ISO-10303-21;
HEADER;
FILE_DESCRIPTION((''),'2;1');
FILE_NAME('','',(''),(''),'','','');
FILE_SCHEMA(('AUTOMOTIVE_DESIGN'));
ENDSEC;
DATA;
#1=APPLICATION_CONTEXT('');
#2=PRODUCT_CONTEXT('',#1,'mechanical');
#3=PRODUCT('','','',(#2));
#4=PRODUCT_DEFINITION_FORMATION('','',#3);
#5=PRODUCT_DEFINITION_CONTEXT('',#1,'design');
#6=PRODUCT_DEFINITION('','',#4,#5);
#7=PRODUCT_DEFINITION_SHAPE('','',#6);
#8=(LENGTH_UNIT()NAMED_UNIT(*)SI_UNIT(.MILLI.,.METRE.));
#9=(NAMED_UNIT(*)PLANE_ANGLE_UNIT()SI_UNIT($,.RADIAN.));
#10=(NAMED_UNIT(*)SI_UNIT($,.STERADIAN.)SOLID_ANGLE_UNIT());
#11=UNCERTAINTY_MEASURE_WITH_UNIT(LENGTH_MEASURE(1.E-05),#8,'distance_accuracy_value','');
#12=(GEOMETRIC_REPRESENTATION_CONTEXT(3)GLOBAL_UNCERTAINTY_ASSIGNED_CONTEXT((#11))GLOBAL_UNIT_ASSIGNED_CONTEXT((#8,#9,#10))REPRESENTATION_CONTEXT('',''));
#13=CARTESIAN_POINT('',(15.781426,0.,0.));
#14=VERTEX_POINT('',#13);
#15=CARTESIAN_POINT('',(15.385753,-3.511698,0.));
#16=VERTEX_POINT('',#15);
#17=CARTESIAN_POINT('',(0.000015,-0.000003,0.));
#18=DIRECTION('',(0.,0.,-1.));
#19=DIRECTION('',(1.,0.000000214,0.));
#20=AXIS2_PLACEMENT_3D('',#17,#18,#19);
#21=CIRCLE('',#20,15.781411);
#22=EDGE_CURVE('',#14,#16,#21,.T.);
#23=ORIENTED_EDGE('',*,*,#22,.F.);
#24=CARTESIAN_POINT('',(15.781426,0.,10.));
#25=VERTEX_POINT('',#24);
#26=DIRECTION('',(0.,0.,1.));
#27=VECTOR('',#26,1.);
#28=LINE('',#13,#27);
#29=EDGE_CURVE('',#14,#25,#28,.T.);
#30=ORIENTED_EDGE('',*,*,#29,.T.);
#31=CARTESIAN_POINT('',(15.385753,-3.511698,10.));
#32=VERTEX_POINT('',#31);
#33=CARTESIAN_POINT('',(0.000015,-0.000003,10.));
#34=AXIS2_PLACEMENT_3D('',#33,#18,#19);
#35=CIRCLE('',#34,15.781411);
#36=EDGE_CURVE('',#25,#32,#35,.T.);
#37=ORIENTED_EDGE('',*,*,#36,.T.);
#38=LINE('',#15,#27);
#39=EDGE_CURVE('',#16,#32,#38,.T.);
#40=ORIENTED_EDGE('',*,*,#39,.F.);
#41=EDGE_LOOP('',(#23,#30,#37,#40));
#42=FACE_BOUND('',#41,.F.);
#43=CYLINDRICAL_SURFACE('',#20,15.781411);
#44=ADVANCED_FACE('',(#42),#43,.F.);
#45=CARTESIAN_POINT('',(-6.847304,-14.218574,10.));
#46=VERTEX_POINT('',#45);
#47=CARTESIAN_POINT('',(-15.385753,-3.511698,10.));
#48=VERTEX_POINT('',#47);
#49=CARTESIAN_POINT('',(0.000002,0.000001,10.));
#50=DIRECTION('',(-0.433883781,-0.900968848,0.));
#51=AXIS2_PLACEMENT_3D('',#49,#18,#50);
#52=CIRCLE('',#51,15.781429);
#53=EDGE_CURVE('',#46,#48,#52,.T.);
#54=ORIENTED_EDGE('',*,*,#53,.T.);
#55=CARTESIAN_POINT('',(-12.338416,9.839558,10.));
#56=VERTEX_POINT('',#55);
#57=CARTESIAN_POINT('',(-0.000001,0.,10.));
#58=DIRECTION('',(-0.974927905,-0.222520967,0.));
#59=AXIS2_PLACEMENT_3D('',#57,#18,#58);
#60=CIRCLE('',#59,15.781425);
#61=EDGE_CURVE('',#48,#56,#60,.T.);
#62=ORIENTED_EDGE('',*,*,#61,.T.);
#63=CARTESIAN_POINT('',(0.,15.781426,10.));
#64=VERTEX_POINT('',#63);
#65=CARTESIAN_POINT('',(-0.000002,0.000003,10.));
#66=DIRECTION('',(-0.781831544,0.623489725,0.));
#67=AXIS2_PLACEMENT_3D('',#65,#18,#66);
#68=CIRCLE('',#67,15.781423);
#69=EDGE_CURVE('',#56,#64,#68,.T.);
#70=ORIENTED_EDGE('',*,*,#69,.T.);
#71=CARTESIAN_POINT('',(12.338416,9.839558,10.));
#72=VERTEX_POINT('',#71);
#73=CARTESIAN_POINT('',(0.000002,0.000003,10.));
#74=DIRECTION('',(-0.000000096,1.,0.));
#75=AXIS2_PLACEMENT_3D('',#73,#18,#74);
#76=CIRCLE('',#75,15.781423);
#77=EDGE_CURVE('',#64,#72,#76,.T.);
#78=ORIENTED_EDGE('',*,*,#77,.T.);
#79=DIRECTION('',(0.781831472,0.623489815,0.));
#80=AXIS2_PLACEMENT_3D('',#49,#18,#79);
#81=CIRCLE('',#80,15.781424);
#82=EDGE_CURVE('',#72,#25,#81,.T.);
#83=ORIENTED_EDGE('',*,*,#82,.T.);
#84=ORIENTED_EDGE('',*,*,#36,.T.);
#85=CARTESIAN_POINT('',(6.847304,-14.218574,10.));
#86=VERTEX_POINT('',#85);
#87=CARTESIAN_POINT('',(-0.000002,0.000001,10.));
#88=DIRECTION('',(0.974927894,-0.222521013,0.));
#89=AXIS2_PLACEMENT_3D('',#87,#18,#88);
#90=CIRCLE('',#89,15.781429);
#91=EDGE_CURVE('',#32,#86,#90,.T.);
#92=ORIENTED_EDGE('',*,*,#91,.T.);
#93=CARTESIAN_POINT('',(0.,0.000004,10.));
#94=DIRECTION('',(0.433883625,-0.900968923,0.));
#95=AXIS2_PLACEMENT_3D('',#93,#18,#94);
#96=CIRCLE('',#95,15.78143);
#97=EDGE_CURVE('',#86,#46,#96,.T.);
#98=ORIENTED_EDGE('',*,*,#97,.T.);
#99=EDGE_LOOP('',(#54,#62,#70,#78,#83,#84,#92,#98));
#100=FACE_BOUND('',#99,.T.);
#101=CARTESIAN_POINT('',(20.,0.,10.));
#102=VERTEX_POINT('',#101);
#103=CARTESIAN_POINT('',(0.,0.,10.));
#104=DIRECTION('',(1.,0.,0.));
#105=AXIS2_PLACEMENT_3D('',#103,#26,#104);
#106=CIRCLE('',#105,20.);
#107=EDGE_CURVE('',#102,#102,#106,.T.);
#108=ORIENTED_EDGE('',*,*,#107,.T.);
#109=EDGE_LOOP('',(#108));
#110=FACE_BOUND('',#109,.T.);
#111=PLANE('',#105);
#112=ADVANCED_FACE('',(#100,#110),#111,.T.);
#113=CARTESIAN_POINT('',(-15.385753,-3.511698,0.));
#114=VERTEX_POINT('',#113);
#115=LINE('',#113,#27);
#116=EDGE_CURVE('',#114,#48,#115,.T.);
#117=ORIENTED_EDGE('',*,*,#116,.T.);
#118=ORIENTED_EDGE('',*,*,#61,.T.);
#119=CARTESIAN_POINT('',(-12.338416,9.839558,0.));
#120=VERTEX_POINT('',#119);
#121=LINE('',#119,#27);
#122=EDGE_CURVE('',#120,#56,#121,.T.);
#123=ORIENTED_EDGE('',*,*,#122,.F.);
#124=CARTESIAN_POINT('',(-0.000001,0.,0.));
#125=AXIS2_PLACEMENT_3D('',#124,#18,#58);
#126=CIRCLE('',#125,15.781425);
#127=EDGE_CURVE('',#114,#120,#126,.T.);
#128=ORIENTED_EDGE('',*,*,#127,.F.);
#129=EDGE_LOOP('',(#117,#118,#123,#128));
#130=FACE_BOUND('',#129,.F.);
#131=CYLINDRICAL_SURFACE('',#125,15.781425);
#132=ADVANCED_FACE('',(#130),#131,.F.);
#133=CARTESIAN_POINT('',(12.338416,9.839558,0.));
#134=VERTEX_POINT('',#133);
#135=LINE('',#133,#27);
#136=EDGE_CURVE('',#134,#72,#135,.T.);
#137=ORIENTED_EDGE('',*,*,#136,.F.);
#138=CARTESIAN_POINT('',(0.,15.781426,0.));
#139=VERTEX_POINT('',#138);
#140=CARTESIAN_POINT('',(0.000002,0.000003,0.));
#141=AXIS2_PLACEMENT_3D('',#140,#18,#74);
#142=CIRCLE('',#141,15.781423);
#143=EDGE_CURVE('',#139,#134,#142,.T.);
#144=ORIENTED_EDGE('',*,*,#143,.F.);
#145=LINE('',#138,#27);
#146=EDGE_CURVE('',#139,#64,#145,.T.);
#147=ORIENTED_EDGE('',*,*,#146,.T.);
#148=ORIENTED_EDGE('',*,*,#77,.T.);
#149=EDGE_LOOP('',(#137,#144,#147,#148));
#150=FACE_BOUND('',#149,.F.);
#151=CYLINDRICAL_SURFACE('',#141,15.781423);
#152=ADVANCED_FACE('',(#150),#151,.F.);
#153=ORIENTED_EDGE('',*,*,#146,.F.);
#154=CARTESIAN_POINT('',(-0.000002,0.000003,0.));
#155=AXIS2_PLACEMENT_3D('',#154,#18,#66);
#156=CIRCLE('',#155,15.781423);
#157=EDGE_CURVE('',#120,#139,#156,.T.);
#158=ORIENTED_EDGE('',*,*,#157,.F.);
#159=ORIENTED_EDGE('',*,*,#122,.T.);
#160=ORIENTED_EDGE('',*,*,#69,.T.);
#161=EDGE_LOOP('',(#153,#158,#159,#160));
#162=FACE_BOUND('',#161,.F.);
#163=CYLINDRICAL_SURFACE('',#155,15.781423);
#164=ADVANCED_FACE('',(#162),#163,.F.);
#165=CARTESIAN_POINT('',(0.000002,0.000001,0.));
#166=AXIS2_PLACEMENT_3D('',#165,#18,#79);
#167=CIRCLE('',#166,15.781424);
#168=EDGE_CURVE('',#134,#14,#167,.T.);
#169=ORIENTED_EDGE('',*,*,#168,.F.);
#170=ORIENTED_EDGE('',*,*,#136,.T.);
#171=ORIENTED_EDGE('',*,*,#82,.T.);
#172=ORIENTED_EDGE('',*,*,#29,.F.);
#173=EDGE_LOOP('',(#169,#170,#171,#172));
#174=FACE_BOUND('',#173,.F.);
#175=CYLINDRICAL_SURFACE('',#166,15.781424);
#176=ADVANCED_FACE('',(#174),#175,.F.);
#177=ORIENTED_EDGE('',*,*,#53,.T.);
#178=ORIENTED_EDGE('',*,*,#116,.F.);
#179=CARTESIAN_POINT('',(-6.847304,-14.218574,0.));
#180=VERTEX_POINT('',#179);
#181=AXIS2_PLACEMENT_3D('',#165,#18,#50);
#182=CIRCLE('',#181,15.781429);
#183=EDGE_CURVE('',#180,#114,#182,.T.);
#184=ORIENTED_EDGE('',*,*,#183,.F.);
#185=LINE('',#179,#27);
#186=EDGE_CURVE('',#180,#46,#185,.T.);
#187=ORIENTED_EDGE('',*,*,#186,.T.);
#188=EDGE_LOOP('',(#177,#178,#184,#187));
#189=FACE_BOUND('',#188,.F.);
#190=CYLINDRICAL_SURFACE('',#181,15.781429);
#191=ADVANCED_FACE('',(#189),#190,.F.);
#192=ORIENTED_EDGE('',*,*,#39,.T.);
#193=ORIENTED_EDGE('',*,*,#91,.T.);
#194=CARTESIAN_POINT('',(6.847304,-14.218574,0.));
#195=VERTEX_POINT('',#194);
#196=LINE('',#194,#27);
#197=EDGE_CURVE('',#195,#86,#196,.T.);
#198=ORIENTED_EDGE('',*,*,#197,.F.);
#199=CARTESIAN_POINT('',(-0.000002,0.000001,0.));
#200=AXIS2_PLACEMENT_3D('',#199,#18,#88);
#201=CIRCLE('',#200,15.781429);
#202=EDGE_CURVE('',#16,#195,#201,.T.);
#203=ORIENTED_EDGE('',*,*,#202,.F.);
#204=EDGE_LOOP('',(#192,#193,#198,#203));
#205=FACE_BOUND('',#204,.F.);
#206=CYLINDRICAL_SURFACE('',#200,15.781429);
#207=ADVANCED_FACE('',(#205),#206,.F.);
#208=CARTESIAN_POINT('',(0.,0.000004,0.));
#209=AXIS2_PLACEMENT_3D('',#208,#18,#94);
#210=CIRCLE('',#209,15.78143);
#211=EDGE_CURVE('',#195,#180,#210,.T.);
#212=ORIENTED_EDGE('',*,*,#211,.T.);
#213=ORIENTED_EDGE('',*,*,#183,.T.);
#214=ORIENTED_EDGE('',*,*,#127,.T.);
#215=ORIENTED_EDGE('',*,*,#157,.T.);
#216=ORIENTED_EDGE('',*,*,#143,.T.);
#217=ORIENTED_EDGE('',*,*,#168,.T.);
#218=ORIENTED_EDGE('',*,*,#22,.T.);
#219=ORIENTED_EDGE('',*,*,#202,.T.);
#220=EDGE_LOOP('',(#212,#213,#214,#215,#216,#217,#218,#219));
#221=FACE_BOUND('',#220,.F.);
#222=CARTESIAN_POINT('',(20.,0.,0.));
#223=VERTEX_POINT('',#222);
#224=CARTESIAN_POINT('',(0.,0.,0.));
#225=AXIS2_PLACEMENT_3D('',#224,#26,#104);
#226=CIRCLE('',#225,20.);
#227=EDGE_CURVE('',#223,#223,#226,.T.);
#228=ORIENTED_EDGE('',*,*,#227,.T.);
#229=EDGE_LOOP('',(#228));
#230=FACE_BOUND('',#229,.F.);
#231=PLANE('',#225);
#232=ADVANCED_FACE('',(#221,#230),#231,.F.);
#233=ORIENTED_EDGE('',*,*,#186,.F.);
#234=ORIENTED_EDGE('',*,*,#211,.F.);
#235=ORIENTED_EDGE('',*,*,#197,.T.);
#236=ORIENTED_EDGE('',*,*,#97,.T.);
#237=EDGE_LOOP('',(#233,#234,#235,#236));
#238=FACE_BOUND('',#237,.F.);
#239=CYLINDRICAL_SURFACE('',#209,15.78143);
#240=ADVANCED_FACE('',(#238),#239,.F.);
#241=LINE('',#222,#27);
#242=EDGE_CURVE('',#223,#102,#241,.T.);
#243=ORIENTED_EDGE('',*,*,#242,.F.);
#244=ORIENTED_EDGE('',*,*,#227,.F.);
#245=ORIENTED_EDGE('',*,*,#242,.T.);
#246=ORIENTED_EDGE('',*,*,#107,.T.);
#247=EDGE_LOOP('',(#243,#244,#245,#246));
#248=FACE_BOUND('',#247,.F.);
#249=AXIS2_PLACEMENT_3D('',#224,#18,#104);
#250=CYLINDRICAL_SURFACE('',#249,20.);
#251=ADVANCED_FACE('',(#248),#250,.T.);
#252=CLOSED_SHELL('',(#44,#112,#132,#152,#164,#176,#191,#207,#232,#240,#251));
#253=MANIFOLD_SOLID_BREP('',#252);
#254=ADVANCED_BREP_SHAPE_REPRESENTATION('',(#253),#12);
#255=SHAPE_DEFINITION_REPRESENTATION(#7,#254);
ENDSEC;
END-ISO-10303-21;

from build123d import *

# Parameters (mm, degrees)
F0_R     = 20
F1_DEPTH = 10


with BuildPart() as f1:
    # F0 (on Top) → F1 (new body)
    with BuildSketch(Plane.XY):
        Circle(F0_R)
        with BuildLine():
            ThreePointArc((15.781426, 0), (15.682196, -1.766959), (15.385753, -3.511698))
            ThreePointArc((15.385753, -3.511698), (12.338416, -9.839558), (6.847304, -14.218574))
            ThreePointArc((6.847304, -14.218574), (0, -15.781426), (-6.847304, -14.218574))
            ThreePointArc((-6.847304, -14.218574), (-12.338416, -9.839558), (-15.385753, -3.511698))
            ThreePointArc((-15.385753, -3.511698), (-15.385753, 3.511698), (-12.338416, 9.839558))
            ThreePointArc((-12.338416, 9.839558), (-6.847304, 14.218574), (0, 15.781426))
            ThreePointArc((0, 15.781426), (6.847304, 14.218574), (12.338416, 9.839558))
            ThreePointArc((12.338416, 9.839558), (14.895825, 5.212275), (15.781426, 0))
        make_face(mode=Mode.SUBTRACT)
    extrude(amount=F1_DEPTH)


solid = f1.part
